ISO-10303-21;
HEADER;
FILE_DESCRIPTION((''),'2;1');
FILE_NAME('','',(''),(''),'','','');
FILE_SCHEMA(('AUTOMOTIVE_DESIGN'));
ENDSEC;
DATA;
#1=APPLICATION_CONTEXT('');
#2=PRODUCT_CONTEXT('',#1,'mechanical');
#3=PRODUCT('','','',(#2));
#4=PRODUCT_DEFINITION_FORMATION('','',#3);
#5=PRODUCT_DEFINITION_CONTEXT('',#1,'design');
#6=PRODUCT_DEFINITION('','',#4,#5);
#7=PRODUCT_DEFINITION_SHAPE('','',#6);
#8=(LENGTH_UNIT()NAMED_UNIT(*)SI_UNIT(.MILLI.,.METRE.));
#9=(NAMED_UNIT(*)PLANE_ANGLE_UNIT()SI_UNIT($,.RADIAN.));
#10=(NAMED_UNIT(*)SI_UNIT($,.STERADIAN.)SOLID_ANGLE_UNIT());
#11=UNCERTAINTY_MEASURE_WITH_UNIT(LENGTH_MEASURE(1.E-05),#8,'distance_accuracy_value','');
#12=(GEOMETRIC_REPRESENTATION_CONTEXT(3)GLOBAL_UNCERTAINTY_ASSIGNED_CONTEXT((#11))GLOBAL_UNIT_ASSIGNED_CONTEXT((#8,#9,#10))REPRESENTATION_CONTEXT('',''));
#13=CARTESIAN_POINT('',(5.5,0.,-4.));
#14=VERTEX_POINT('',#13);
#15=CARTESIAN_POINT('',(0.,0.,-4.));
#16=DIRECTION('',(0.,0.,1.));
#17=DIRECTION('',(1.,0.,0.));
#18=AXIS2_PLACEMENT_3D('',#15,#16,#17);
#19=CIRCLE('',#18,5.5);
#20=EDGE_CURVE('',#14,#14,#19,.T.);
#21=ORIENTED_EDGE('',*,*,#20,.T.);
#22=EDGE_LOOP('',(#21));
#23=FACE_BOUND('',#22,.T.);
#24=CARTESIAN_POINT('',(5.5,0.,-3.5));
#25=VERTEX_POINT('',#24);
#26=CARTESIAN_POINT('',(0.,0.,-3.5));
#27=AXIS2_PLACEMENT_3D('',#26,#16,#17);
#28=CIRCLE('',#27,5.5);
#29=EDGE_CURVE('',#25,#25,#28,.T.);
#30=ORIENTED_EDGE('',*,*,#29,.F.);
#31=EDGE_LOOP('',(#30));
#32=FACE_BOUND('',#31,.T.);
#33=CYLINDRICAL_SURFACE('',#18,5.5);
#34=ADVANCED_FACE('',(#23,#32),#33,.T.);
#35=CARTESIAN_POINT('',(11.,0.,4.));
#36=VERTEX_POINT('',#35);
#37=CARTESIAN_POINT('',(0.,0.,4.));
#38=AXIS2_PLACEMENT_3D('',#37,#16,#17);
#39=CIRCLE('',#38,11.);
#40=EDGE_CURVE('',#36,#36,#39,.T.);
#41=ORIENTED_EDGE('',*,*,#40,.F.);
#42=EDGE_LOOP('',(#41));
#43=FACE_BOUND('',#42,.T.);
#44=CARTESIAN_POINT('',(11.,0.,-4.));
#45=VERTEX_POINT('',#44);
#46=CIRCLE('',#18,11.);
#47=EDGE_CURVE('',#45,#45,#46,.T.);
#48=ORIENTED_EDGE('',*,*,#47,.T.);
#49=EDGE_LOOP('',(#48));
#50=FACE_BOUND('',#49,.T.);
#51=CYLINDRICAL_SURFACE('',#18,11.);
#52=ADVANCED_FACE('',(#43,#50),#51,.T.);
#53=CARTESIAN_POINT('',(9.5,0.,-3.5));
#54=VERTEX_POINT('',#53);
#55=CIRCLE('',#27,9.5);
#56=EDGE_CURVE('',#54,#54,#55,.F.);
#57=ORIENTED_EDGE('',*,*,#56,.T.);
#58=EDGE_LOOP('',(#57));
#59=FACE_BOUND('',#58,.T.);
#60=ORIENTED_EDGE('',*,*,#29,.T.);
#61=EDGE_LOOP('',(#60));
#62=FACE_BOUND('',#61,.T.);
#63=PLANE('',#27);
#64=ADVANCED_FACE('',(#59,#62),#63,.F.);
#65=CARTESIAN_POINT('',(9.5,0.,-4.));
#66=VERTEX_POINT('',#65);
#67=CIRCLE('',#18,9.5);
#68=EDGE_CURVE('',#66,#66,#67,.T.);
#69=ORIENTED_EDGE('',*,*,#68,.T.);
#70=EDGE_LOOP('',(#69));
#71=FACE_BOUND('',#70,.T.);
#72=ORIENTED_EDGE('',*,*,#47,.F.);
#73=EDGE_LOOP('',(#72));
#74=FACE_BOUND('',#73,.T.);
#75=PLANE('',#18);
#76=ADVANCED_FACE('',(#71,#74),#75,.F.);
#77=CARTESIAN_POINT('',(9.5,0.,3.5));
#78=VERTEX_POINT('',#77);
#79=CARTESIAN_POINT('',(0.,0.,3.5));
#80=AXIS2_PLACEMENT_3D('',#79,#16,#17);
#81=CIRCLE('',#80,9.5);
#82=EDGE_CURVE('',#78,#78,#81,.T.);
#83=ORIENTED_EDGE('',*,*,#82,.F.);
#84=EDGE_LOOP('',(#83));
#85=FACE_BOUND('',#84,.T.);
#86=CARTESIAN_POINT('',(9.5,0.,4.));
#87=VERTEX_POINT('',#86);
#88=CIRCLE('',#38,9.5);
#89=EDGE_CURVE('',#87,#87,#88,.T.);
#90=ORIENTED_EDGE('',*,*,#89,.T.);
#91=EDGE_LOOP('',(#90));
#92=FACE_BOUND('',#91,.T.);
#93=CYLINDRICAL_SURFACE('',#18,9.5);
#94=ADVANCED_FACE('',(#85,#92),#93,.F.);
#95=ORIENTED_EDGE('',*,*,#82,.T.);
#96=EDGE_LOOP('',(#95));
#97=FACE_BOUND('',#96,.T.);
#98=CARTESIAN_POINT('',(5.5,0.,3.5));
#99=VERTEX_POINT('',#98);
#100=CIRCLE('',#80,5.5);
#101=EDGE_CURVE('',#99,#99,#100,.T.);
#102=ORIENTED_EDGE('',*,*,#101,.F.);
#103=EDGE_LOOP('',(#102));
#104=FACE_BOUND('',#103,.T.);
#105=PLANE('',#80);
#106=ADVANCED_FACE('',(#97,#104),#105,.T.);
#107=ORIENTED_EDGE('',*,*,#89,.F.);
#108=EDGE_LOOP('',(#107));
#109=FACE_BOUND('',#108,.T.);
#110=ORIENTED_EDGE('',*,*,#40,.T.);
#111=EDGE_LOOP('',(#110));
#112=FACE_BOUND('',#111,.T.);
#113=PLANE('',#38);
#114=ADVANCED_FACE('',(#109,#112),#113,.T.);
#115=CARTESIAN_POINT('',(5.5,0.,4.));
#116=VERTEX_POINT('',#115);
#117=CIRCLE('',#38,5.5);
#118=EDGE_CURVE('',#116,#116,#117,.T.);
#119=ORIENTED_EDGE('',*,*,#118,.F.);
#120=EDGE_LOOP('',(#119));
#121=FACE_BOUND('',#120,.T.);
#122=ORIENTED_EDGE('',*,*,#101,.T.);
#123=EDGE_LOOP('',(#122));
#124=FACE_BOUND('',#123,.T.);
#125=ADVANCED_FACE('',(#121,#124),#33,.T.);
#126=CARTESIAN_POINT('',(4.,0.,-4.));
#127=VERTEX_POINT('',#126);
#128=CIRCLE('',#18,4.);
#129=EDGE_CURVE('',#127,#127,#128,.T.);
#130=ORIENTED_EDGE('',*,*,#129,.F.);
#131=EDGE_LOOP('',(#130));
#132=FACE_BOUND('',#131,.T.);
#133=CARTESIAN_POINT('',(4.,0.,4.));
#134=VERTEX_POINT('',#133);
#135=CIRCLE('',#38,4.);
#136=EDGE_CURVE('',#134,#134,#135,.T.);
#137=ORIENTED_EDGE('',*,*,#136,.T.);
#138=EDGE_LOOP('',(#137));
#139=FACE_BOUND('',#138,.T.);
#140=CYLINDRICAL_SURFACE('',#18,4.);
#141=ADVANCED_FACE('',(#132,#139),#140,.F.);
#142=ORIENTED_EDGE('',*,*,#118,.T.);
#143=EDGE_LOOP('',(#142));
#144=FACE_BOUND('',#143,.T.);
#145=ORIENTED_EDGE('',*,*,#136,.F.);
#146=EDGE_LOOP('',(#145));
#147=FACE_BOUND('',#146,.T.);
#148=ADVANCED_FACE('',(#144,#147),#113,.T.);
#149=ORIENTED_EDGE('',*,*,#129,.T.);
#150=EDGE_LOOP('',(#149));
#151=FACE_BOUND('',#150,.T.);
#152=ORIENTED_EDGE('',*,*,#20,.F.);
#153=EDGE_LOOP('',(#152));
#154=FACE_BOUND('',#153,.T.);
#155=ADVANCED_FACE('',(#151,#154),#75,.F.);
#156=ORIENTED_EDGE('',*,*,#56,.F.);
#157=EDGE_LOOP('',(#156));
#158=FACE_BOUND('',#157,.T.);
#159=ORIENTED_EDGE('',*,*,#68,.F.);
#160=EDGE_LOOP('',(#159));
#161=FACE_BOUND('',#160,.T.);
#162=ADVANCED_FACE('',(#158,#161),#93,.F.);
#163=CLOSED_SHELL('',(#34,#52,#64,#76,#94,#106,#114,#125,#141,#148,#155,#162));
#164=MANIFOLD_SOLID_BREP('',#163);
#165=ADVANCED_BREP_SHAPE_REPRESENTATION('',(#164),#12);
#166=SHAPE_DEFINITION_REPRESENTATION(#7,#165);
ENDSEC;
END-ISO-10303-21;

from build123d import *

# Parameters (mm, degrees)
SALIENTE_EXTRUIR1_DEPTH        = 4
SALIENTE_EXTRUIR1_DEPTH_BACK   = 4
CROQUIS1_R                     = 11
CROQUIS1_R_2                   = 9.5
SALIENTE_EXTRUIR1_2_DEPTH      = 4
SALIENTE_EXTRUIR1_2_DEPTH_BACK = 4
CROQUIS1_R_3                   = 5.5
CROQUIS1_R_4                   = 4
SALIENTE_EXTRUIR2_DEPTH        = 3.5
SALIENTE_EXTRUIR2_DEPTH_BACK   = 3.5
CROQUIS1_4_R                   = 9.5
CROQUIS1_4_R_2                 = 5.5


with BuildPart() as part:
    # Croquis1 → Saliente-Extruir1 (new, two sides: drawn at the far end of the back side and taken through both)
    with BuildSketch(Plane.XY.offset(-SALIENTE_EXTRUIR1_DEPTH_BACK)):
        Circle(CROQUIS1_R)
        Circle(CROQUIS1_R_2, mode=Mode.SUBTRACT)
    extrude(amount=SALIENTE_EXTRUIR1_DEPTH + SALIENTE_EXTRUIR1_DEPTH_BACK)



with BuildPart() as body_2:
    # Croquis1 → Saliente-Extruir1 2 (new, two sides: drawn at the far end of the back side and taken through both)
    with BuildSketch(Plane.XY.offset(-SALIENTE_EXTRUIR1_2_DEPTH_BACK)):
        Circle(CROQUIS1_R_3)
        Circle(CROQUIS1_R_4, mode=Mode.SUBTRACT)
    extrude(amount=SALIENTE_EXTRUIR1_2_DEPTH + SALIENTE_EXTRUIR1_2_DEPTH_BACK)


with BuildPart() as part_1:
    add(part.part)

    add(body_2.part)  # Saliente-Extruir2 merges body 2
    # Croquis1<4> → Saliente-Extruir2 (add, two sides: drawn at the far end of the back side and taken through both)
    with BuildSketch(Plane.XY.offset(-SALIENTE_EXTRUIR2_DEPTH_BACK)):
        Circle(CROQUIS1_4_R)
        Circle(CROQUIS1_4_R_2, mode=Mode.SUBTRACT)
    extrude(amount=SALIENTE_EXTRUIR2_DEPTH + SALIENTE_EXTRUIR2_DEPTH_BACK)


solid = part_1.part
